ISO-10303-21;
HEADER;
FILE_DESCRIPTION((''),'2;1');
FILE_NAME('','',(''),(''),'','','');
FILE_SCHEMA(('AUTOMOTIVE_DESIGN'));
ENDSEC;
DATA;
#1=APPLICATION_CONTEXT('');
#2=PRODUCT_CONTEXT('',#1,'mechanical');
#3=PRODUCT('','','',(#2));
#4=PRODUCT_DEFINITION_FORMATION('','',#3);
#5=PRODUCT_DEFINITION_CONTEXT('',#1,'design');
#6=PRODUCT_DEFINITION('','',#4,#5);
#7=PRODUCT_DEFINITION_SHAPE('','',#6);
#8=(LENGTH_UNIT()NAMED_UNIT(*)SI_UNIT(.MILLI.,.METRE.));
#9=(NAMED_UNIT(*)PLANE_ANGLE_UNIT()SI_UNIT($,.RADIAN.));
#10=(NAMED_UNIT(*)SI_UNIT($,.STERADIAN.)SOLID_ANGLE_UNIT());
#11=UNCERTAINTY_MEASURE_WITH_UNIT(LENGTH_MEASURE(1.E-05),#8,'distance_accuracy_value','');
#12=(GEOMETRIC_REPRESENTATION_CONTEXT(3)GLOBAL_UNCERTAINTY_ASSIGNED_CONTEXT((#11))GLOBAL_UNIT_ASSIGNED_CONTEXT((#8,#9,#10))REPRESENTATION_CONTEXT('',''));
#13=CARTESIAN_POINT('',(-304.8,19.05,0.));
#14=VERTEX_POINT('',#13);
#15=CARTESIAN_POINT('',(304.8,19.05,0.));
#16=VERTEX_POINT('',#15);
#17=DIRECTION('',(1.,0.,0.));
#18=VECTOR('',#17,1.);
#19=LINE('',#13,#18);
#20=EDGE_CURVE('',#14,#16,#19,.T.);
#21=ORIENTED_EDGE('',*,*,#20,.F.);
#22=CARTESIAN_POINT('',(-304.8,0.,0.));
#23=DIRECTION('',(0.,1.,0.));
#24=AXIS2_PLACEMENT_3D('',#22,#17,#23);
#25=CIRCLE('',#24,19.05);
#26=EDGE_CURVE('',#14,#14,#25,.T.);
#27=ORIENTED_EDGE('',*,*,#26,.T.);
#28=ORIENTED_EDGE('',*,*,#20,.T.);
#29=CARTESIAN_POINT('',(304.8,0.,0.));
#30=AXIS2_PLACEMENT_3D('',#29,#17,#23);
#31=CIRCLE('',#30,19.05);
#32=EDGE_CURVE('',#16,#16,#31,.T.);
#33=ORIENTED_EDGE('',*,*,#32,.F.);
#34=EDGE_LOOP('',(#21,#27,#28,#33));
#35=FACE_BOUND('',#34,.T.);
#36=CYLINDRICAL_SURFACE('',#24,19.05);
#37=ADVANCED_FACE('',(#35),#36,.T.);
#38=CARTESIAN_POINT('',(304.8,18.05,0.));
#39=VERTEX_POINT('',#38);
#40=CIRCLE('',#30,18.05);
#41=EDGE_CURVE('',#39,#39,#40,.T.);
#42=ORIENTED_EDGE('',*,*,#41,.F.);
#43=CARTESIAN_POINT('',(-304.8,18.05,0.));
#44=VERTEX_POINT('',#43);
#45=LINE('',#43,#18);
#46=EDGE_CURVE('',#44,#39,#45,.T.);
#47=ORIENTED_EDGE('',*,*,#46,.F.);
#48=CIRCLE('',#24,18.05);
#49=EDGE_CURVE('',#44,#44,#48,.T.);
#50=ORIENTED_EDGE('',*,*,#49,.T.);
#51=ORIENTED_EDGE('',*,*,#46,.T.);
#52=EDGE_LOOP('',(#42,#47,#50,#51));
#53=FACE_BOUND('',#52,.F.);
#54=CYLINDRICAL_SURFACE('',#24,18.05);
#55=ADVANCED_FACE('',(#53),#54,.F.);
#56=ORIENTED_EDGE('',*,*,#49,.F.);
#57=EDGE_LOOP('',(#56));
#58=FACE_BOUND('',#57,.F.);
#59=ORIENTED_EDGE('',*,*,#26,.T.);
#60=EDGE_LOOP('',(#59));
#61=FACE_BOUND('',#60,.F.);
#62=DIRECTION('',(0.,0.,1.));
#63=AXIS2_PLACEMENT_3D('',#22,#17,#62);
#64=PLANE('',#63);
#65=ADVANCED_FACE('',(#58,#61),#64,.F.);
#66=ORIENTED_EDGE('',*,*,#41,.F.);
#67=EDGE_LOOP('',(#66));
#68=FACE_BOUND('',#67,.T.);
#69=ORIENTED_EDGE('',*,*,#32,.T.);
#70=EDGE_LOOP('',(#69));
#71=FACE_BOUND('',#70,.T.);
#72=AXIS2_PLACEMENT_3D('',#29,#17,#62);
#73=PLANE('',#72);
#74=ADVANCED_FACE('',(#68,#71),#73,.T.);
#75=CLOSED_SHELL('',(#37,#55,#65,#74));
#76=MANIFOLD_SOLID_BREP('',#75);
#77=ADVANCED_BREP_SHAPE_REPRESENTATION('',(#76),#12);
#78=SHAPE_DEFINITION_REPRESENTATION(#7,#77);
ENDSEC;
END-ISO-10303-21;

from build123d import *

# Parameters (mm, degrees)
F2_R   = 19.05
F2_R_2 = 18.05


with BuildPart() as f3:
    # F3: sweep along a path in F0
    with BuildLine(Plane.XY) as f3_path:
        Line((-304.8, 0), (304.8, 0))
    # F2 (on face) → F3 (sweep)
    with BuildSketch(Plane.YZ.offset(-304.8)):
        Circle(F2_R)
        Circle(F2_R_2, mode=Mode.SUBTRACT)
    sweep(path=f3_path.line)


solid = f3.part
